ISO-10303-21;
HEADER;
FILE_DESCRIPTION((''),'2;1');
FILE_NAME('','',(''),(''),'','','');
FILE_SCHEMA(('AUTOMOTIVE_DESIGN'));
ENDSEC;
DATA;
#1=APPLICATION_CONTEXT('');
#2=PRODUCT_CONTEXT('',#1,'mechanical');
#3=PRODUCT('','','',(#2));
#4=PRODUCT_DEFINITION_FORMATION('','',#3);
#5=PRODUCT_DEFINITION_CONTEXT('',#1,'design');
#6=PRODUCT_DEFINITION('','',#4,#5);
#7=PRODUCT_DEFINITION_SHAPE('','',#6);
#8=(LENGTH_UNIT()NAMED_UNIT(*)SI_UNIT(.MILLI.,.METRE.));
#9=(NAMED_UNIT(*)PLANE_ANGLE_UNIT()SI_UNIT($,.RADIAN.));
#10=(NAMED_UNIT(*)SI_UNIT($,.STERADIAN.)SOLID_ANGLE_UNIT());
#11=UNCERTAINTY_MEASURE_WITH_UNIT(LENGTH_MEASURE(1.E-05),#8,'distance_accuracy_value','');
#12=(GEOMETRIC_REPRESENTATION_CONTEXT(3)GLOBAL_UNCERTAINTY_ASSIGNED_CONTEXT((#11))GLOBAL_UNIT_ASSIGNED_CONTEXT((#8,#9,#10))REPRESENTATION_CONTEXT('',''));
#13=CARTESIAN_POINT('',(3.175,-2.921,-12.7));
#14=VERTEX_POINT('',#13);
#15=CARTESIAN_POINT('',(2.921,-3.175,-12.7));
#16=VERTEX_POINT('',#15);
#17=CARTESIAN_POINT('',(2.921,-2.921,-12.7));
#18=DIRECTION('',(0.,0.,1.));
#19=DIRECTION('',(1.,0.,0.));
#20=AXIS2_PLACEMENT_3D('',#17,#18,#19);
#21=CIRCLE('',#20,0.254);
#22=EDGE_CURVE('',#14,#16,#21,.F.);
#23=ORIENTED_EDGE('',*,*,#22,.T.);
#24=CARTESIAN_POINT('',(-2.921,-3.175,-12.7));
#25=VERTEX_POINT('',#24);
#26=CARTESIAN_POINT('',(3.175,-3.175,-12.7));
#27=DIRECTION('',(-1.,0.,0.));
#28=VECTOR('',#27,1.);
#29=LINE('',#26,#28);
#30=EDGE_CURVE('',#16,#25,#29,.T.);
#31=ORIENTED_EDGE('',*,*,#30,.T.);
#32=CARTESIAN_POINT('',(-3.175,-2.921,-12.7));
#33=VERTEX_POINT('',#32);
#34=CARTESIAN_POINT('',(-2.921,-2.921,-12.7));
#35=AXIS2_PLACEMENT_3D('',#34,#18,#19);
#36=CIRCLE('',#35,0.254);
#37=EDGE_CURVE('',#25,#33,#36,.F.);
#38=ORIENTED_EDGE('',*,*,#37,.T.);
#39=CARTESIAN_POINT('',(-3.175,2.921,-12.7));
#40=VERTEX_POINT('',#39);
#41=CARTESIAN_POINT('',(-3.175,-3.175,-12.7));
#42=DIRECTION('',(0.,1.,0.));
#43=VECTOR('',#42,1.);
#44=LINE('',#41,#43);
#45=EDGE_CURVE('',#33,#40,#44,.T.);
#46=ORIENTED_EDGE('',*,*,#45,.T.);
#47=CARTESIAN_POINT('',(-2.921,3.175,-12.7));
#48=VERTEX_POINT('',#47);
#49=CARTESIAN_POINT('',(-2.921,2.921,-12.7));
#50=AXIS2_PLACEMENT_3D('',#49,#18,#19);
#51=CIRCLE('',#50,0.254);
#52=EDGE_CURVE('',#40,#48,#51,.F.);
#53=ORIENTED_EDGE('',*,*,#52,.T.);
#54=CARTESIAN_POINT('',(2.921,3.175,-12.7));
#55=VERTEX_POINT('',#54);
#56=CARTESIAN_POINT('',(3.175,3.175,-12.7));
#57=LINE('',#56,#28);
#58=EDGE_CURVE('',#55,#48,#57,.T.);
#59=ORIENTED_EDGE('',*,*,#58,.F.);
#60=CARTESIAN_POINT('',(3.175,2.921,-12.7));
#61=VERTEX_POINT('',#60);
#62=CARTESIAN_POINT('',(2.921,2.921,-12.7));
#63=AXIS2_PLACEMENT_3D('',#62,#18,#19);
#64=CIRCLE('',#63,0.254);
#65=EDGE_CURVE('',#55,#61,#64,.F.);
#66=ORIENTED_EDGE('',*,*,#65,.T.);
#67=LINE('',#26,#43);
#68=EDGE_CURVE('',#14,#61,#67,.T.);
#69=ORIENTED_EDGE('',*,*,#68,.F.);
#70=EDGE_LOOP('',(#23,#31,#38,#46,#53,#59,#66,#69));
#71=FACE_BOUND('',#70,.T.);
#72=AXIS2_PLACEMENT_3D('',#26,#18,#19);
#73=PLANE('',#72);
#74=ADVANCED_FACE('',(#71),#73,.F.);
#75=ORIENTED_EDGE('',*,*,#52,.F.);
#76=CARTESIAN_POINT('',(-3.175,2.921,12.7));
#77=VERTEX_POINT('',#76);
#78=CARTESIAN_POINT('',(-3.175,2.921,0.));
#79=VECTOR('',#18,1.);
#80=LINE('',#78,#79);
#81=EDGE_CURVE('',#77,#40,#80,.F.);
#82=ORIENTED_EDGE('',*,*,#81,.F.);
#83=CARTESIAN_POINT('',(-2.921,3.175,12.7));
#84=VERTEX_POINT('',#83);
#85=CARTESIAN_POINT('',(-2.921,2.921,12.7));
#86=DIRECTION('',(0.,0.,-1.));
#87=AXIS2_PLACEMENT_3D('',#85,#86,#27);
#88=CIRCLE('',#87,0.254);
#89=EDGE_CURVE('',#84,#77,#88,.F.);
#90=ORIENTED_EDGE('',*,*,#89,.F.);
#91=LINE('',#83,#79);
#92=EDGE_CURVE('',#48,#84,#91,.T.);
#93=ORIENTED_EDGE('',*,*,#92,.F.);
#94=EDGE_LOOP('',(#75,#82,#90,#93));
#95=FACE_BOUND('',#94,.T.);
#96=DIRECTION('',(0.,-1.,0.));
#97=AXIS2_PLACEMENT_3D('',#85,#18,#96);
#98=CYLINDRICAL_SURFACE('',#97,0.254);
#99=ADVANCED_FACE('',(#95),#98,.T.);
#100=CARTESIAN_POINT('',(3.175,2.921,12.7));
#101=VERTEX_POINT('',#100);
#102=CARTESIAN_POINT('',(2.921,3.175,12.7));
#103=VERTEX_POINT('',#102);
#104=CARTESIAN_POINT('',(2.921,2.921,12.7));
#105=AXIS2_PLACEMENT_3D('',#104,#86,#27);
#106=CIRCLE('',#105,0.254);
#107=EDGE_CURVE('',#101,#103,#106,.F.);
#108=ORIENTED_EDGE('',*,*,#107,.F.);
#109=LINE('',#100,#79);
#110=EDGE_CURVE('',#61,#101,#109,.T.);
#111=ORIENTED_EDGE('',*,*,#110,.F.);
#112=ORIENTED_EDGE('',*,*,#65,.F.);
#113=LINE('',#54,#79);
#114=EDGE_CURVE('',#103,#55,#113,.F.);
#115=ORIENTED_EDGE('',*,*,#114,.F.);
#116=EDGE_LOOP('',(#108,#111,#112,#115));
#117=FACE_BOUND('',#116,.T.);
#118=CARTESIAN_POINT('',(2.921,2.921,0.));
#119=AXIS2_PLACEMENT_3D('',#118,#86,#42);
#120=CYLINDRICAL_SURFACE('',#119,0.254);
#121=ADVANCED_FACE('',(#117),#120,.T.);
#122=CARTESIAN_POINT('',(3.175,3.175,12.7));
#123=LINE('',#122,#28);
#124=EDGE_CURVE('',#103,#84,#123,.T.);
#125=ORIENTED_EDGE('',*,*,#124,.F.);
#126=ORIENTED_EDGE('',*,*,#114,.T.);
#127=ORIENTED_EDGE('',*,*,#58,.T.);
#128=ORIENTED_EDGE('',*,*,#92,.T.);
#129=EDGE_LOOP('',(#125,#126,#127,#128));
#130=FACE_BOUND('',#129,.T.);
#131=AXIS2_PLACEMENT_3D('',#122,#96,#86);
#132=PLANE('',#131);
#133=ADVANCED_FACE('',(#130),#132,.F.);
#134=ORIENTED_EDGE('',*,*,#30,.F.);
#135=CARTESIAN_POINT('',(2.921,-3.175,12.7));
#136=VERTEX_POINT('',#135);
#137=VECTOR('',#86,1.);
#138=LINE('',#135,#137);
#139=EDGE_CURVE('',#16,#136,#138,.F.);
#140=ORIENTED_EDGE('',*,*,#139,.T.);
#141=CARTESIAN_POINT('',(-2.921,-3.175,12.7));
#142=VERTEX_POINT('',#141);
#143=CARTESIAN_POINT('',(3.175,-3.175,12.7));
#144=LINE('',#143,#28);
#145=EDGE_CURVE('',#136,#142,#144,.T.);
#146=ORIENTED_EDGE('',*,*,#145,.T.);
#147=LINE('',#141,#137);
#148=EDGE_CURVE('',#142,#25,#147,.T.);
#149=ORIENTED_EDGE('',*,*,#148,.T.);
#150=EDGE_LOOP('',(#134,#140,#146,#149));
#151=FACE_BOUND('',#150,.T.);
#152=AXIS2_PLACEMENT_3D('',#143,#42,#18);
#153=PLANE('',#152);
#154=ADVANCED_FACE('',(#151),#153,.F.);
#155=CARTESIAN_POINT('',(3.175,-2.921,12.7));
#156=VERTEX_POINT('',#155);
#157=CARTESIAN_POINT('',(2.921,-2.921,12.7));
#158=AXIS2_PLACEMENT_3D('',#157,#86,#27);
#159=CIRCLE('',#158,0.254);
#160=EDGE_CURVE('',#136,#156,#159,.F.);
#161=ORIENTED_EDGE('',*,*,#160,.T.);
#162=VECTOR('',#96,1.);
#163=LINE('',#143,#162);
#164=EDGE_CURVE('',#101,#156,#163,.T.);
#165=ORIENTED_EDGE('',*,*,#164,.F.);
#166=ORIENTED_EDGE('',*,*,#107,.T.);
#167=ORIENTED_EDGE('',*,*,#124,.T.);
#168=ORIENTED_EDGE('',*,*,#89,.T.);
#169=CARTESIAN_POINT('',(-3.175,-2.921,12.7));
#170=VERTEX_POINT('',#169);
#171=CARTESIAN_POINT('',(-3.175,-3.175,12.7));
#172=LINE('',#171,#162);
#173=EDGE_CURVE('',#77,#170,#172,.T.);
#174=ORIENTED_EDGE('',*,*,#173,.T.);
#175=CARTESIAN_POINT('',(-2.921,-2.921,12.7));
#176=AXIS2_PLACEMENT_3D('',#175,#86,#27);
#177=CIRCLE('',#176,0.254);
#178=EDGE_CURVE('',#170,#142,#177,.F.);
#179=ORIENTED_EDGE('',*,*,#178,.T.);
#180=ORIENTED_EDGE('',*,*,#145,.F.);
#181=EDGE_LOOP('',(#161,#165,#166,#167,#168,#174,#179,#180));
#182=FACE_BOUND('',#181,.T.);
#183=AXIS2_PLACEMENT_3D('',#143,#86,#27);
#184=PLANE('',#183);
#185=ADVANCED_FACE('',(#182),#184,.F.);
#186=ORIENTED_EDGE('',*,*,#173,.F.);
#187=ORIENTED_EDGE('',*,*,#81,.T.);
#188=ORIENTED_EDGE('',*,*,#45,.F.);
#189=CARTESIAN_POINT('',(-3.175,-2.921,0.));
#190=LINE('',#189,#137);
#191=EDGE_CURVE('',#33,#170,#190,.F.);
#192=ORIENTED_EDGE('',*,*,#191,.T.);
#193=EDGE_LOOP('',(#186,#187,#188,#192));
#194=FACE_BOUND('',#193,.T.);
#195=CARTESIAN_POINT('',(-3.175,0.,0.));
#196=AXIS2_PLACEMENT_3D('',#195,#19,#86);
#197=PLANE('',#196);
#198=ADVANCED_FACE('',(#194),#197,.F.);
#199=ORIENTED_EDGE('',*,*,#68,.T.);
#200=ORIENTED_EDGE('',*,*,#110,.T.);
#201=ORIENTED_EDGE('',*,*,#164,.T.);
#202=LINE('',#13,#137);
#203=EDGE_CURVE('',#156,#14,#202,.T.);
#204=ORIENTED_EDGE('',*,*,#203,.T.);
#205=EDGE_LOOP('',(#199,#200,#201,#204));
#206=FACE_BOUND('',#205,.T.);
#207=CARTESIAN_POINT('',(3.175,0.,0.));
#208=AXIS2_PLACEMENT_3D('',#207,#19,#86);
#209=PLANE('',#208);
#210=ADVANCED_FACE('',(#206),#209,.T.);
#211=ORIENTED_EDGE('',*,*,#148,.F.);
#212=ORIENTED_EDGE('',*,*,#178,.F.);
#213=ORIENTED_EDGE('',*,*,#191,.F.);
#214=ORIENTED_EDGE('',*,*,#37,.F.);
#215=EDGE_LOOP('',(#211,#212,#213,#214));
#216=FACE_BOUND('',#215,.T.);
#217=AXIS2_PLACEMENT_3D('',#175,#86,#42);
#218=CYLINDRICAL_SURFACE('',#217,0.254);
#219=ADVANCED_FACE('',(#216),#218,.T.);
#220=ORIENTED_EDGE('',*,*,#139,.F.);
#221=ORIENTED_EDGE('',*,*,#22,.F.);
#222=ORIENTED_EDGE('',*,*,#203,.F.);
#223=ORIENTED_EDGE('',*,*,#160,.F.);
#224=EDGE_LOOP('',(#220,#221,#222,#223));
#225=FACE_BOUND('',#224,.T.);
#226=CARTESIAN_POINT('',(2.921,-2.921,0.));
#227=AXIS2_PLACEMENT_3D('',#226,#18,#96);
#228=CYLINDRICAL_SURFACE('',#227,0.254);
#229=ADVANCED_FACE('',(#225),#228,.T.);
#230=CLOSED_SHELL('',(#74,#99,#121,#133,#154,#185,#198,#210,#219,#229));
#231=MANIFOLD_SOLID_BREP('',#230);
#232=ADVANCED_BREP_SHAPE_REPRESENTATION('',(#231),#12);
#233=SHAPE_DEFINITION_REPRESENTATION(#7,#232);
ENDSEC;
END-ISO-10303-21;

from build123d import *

# Parameters (mm, degrees)
BOSS_EXTRUDE1_START = -3.175
SKETCH4_W           = 25.4
SKETCH4_H           = 6.35
BOSS_EXTRUDE1_DEPTH = 6.35
FILLET1_R           = 0.254


with BuildPart() as part:
    # Sketch4 → Boss-Extrude1 (new body)
    with BuildSketch(Plane(origin=(0, 0, 0), x_dir=(0, 0, -1), z_dir=(1, 0, 0)).offset(BOSS_EXTRUDE1_START)):
        Rectangle(SKETCH4_W, SKETCH4_H)
    extrude(amount=BOSS_EXTRUDE1_DEPTH)

    # Fillet1
    fillet1_edges = [part.edges().sort_by_distance(p)[0] for p in [
        (3.175, 3.175, 0),
        (3.175, -3.175, 0),
        (-3.175, 3.175, 0),
        (-3.175, -3.175, 0),
    ]]
    fillet(fillet1_edges, radius=FILLET1_R)


solid = part.part
